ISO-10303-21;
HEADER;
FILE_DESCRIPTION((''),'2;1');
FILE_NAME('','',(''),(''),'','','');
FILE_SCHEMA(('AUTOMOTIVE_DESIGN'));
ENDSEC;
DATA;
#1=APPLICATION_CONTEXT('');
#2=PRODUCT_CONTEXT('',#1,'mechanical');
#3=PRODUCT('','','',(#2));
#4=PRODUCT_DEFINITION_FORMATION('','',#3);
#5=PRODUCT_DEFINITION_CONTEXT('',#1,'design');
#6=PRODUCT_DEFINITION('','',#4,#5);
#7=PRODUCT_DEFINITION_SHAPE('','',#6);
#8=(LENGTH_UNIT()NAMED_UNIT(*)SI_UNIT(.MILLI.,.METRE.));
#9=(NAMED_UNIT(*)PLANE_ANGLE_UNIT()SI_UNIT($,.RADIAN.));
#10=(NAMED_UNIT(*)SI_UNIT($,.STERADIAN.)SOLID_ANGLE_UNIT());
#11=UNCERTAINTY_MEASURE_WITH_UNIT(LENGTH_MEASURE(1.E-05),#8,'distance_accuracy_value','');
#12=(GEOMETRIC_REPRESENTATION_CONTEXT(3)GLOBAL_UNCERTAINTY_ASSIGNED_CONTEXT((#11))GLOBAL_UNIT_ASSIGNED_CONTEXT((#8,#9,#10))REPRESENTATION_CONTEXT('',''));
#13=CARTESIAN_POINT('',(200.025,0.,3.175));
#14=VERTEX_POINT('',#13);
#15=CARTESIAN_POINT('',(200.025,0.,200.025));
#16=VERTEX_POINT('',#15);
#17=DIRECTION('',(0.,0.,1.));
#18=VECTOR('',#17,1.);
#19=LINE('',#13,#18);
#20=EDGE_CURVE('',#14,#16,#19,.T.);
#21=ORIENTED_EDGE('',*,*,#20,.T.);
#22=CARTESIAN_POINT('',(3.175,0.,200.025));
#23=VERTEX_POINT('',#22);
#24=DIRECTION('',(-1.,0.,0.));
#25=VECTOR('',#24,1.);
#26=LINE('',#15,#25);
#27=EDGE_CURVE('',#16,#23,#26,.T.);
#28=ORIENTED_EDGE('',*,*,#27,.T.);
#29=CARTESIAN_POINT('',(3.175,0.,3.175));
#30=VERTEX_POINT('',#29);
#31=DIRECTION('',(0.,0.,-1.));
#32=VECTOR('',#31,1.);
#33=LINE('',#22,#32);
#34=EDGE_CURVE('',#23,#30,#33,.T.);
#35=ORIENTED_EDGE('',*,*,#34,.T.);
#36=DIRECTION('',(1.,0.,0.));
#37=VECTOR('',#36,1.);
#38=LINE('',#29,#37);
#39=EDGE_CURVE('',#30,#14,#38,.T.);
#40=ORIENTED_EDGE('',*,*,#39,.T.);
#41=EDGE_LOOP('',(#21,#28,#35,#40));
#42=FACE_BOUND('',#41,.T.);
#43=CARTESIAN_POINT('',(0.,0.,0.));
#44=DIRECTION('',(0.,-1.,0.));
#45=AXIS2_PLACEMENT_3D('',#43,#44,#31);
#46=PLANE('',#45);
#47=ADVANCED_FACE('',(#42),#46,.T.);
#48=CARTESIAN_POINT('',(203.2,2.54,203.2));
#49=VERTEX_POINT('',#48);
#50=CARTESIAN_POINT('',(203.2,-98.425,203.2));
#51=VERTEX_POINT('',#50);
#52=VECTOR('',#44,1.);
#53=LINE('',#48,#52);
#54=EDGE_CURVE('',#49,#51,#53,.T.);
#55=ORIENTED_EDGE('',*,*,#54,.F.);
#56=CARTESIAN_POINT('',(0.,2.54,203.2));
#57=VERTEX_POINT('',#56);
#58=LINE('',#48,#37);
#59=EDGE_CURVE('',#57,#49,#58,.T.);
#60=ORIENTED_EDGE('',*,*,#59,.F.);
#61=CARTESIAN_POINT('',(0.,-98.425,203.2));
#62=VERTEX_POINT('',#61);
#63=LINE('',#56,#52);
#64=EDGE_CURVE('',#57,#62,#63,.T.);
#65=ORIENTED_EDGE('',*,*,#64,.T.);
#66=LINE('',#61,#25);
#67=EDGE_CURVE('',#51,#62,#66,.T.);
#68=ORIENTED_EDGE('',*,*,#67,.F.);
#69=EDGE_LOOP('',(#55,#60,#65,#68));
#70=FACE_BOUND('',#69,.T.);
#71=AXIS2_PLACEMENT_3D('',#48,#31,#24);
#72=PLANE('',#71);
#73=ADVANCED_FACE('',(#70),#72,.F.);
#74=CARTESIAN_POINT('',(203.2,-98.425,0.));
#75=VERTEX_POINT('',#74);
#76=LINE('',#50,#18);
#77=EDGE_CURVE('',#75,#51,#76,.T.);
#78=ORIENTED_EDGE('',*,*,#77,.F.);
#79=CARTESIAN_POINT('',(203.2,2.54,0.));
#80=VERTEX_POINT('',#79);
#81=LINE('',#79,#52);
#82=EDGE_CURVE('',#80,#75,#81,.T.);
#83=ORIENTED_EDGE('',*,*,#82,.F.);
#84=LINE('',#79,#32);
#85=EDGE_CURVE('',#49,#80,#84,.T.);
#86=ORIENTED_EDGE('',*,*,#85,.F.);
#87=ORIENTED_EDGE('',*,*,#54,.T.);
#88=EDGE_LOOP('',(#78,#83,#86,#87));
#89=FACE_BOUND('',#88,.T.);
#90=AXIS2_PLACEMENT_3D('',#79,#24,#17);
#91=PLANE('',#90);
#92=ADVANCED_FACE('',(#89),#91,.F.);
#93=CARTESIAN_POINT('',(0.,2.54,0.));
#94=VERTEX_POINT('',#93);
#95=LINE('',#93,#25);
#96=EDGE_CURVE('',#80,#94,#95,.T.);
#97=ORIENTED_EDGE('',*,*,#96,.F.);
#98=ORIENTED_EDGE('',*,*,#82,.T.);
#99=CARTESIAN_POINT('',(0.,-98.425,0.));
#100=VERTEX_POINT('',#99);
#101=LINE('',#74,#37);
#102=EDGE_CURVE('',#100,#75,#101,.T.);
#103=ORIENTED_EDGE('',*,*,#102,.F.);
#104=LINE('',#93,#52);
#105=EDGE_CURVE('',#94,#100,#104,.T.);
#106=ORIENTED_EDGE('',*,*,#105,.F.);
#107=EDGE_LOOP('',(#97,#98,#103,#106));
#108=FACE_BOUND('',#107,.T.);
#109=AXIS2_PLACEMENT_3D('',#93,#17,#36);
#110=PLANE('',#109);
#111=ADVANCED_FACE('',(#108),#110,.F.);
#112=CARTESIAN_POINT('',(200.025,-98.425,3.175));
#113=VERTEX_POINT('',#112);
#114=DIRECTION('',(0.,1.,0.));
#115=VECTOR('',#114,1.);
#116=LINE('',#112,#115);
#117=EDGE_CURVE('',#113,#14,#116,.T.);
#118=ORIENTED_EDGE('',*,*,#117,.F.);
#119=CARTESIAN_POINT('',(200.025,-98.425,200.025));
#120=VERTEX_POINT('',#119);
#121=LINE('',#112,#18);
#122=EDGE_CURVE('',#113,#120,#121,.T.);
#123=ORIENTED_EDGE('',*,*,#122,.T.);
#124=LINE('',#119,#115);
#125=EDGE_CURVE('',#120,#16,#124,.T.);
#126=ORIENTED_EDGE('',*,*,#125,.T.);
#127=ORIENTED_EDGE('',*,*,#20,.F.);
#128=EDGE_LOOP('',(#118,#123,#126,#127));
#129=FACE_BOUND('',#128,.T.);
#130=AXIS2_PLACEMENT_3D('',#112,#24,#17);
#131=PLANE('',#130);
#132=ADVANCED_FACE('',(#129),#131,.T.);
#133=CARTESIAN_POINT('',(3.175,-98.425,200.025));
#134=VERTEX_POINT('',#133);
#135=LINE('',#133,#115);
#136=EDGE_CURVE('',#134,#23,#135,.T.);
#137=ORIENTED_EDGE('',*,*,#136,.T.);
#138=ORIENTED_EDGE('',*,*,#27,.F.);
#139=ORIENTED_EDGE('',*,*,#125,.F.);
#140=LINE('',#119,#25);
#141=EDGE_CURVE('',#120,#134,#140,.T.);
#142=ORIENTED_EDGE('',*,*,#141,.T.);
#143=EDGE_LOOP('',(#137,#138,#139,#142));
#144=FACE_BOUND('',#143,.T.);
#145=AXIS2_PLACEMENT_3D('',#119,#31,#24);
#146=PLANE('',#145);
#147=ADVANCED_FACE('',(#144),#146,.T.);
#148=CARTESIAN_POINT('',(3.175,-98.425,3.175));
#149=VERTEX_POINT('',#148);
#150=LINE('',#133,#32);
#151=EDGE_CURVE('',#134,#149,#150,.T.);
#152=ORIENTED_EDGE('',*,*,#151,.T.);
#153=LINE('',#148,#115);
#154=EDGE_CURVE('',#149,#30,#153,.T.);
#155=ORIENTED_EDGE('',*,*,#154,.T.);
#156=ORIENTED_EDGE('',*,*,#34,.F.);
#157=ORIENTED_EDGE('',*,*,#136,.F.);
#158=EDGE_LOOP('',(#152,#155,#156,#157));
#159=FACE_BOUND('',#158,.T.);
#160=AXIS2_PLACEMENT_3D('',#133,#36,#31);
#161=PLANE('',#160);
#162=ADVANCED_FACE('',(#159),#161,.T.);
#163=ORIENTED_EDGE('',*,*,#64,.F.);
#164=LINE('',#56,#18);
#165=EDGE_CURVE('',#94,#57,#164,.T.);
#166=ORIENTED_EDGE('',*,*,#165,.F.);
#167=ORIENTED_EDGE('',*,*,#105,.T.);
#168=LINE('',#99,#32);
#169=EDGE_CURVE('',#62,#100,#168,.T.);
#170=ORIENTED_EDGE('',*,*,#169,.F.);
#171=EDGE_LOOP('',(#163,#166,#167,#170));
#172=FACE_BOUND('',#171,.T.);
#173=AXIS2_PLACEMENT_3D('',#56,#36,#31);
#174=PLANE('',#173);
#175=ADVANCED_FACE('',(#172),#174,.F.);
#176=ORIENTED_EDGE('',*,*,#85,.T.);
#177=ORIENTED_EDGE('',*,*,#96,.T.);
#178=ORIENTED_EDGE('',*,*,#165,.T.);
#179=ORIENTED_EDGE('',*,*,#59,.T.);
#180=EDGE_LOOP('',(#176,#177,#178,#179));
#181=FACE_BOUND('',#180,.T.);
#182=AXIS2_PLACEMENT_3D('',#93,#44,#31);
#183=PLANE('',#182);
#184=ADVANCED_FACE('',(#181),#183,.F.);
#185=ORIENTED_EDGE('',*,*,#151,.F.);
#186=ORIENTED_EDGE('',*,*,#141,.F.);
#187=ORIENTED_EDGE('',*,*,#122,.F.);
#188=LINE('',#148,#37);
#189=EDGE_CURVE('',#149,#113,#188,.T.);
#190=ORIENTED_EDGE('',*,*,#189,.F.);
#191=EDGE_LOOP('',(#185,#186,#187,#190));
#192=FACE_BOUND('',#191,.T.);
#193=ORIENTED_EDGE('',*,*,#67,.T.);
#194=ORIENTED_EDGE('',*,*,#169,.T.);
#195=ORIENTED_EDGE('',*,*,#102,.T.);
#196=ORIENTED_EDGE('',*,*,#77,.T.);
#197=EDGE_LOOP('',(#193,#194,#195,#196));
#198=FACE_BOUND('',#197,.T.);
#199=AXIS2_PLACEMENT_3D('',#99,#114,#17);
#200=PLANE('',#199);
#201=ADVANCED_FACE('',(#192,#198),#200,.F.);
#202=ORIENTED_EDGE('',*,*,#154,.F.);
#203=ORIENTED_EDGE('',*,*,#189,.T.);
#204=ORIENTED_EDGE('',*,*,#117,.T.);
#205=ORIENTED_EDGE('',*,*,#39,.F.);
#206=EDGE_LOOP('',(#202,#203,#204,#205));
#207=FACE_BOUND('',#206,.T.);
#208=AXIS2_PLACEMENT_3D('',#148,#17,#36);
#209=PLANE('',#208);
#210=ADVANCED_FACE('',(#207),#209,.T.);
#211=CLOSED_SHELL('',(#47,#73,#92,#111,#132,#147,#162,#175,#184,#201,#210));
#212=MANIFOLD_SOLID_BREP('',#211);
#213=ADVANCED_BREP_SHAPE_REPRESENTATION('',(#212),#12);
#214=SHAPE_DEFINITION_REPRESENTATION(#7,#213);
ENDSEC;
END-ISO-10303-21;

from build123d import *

# Parameters (mm, degrees)
SKETCH1_W           = 203.2
SKETCH1_H           = 203.2
BOSS_EXTRUDE1_DEPTH = 2.54
SKETCH2_W           = 203.2
SKETCH2_H           = 203.2
SKETCH2_W_2         = 196.85
SKETCH2_H_2         = 196.85
BOSS_EXTRUDE2_DEPTH = 98.425


with BuildPart() as part:
    # Sketch1 → Boss-Extrude1 (new body)
    with BuildSketch(Plane(origin=(0, 0, 0), x_dir=(1, 0, 0), z_dir=(0, 1, 0))):
        with Locations((101.6, -101.6)):
            Rectangle(SKETCH1_W, SKETCH1_H)
    extrude(amount=BOSS_EXTRUDE1_DEPTH)

    # Sketch2 → Boss-Extrude2 (add)
    with BuildSketch(Plane.XZ):
        with Locations((101.6, 101.6)):
            Rectangle(SKETCH2_W, SKETCH2_H)
        with Locations((101.6, 101.6)):
            Rectangle(SKETCH2_W_2, SKETCH2_H_2, mode=Mode.SUBTRACT)
    extrude(amount=BOSS_EXTRUDE2_DEPTH)


solid = part.part
